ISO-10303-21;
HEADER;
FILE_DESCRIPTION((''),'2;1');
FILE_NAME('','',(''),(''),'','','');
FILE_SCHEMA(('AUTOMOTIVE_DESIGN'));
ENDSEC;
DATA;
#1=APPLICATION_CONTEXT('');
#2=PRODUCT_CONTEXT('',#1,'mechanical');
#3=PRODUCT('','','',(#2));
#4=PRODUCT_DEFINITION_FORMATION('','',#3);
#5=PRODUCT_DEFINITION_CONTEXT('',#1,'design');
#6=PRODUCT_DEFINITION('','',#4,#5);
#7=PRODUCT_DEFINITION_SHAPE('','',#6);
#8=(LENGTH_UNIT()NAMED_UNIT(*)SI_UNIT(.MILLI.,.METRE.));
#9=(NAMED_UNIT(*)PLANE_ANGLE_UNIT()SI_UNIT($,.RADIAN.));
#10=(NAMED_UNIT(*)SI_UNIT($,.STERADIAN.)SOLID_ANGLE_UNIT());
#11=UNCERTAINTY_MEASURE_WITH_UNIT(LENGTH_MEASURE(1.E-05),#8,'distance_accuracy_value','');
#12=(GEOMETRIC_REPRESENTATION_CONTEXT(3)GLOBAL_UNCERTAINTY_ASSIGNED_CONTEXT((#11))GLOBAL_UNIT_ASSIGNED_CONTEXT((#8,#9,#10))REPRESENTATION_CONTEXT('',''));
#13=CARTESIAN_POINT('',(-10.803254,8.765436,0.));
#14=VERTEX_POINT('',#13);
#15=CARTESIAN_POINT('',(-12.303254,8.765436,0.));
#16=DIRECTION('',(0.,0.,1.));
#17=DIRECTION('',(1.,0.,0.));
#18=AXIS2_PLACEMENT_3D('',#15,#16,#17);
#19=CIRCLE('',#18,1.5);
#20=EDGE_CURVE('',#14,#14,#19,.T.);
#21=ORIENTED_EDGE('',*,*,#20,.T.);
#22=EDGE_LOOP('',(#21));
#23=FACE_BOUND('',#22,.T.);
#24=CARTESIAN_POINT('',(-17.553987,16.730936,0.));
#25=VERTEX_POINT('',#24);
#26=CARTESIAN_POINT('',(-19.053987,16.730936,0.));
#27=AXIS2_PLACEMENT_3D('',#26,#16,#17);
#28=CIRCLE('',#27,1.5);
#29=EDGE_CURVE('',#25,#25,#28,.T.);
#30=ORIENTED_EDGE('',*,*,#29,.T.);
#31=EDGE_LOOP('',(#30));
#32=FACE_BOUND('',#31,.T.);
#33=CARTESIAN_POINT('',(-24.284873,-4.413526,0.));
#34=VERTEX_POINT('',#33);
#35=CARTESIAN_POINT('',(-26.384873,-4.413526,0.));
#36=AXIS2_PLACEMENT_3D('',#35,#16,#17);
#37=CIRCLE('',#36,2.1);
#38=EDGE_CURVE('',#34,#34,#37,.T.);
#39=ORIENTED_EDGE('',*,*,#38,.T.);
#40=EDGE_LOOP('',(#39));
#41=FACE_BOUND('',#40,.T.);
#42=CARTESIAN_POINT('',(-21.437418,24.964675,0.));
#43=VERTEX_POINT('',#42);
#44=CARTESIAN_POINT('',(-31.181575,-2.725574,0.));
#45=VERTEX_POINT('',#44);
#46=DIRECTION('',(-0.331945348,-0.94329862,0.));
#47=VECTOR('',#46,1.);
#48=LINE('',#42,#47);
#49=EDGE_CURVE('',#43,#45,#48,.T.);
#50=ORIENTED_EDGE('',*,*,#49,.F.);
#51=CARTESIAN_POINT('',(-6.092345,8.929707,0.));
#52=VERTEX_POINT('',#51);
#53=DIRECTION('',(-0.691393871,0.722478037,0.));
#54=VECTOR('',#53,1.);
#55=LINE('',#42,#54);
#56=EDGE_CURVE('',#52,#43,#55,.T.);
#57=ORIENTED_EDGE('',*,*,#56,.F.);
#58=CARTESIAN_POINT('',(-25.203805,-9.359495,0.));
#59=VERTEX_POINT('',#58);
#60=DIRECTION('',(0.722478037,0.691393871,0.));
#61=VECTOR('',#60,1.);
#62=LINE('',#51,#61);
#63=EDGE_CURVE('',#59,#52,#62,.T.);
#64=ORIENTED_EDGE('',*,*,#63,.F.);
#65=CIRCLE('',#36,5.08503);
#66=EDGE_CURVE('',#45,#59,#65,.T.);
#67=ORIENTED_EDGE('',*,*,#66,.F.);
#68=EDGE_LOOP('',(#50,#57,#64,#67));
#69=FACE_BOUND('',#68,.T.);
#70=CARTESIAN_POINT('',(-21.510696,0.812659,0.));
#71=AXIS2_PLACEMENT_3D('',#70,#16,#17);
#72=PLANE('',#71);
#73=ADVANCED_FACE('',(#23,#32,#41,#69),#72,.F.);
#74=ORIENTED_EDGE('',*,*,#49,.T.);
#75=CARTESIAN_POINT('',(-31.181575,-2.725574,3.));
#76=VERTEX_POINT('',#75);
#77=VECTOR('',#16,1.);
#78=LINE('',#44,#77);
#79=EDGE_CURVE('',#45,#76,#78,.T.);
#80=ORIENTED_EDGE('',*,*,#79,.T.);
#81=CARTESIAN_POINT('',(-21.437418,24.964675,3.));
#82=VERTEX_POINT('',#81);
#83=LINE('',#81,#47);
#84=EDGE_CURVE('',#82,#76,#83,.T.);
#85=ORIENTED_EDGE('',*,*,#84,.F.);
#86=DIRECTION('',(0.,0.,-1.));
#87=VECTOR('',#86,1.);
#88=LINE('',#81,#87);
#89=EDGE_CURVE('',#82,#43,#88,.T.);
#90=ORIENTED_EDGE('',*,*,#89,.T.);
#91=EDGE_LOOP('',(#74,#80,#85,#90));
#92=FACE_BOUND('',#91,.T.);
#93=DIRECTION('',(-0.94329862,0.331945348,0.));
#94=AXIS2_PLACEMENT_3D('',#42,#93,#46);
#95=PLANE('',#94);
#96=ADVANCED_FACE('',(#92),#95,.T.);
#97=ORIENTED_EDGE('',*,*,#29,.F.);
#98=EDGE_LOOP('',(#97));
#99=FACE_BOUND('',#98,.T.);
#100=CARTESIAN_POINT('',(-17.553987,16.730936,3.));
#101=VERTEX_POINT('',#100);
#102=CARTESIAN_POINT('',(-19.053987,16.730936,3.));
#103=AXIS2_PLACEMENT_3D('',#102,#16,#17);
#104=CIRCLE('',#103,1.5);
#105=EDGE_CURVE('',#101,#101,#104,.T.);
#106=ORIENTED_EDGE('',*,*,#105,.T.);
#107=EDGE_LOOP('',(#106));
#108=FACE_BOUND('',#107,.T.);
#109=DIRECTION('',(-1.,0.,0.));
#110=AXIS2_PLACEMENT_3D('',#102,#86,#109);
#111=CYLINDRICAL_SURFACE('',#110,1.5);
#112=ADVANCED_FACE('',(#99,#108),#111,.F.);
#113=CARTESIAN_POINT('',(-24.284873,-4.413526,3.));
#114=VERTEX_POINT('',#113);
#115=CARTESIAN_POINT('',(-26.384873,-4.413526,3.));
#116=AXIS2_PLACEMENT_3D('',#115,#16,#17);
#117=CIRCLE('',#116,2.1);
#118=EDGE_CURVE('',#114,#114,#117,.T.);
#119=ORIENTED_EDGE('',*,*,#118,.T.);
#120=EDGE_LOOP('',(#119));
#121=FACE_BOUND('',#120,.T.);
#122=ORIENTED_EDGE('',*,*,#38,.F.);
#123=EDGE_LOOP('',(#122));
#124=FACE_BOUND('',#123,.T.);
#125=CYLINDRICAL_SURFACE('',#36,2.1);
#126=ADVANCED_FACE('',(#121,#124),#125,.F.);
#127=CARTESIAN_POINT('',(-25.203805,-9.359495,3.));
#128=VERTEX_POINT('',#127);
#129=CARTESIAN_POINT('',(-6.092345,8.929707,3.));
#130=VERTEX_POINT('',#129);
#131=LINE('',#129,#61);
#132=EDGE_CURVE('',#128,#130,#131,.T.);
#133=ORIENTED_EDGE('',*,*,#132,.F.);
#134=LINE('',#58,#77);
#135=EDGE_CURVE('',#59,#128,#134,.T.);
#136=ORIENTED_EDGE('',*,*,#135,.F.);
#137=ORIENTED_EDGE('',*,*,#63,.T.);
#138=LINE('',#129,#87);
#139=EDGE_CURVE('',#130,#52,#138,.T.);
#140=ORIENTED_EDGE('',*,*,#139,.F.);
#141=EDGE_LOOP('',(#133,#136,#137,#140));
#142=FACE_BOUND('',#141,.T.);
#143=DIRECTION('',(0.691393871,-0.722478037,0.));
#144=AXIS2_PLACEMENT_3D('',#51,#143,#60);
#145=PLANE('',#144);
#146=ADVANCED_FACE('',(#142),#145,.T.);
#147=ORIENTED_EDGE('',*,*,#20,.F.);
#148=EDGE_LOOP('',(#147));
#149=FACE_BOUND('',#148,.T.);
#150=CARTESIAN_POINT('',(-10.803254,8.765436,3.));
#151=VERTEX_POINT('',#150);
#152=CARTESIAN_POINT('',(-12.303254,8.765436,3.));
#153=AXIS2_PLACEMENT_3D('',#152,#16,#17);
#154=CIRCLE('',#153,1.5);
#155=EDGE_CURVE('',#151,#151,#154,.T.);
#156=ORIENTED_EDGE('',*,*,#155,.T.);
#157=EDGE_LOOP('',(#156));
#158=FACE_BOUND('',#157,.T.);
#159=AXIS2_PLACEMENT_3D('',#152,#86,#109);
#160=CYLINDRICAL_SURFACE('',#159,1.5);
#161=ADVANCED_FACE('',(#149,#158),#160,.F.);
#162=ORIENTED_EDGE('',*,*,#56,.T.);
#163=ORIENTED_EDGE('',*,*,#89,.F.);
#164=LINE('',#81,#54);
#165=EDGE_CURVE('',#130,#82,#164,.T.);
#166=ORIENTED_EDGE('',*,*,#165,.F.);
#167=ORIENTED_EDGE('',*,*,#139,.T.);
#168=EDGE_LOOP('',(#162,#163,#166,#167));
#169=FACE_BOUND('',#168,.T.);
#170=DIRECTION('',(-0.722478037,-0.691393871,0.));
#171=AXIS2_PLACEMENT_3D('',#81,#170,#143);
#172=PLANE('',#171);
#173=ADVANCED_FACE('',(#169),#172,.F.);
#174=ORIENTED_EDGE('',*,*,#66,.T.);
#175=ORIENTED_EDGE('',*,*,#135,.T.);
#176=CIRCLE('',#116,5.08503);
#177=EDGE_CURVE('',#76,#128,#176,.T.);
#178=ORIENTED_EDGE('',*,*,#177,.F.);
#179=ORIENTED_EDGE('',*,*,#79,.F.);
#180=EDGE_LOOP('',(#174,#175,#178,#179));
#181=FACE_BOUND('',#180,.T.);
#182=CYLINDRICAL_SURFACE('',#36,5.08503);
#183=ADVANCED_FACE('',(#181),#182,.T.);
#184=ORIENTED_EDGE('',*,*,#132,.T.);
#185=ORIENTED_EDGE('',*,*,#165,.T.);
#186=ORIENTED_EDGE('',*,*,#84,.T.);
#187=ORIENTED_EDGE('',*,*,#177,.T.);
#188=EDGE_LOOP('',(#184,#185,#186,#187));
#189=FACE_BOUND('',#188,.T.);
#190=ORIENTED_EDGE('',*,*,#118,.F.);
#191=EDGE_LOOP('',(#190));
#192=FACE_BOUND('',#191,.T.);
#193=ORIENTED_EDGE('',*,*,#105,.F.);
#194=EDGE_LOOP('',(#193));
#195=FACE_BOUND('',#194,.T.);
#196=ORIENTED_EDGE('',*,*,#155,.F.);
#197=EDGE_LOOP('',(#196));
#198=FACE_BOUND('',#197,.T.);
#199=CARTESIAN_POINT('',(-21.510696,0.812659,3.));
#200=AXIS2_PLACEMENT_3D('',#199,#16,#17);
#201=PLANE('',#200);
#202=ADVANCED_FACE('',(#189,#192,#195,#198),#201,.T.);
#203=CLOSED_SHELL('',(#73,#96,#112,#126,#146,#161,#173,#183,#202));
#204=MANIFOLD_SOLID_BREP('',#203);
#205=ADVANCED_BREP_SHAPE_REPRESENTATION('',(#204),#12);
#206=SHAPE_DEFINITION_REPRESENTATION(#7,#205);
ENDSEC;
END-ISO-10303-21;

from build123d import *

# Parameters (mm, degrees)
SKETCH1_R           = 1.5
BOSS_EXTRUDE1_DEPTH = 3
SKETCH3_R           = 2.1
CUT_EXTRUDE1_DEPTH  = 5
BOSS_EXTRUDE2_START = -3
SKETCH4_R           = 2.1
SKETCH4_R_2         = 1.5
BOSS_EXTRUDE2_DEPTH = 3


with BuildPart() as part:
    # Sketch1 → Boss-Extrude1 (new body)
    with BuildSketch(Plane.XY):
        with BuildLine():
            Line((-23.846751299, 12.315625527), (-25.790964416, 1.588420048))
            ThreePointArc((-25.790964416, 1.588420048), (-23.621324023, -2.99099118), (-18.587504633, -2.408746401))
            Line((-18.587504633, -2.408746401), (-9.554934768, 5.787656918))
            Line((-9.554934768, 5.787656918), (-6.092344559, 8.929706888))
            Line((-6.092344559, 8.929706888), (-21.437418033, 24.964674832))
            Line((-21.437418033, 24.964674832), (-22.045496957, 21.772247946))
            Line((-22.045496957, 21.772247946), (-23.846751299, 12.315625527))
        make_face()
        with Locations((-19.053986742, 16.730936194)):
            Circle(SKETCH1_R, mode=Mode.SUBTRACT)
        with Locations((-12.303254046, 8.7654358)):
            Circle(SKETCH1_R, mode=Mode.SUBTRACT)
    extrude(amount=BOSS_EXTRUDE1_DEPTH)

    # Sketch3 → Cut-Extrude1 (cut)
    with BuildSketch(Plane.XY.offset(3)):
        with Locations((-21.51274635, 0.809673644)):
            Circle(SKETCH3_R)
    extrude(amount=-CUT_EXTRUDE1_DEPTH, mode=Mode.SUBTRACT)

    # Sketch4 → Boss-Extrude2 (add)
    with BuildSketch(Plane.XY.offset(3).offset(BOSS_EXTRUDE2_START)):
        with BuildLine():
            Line((-21.437418033, 24.964674832), (-6.092344559, 8.929706888))
            Line((-6.092344559, 8.929706888), (-25.203805177, -9.359495085))
            ThreePointArc((-25.203805177, -9.359495085), (-30.162494982, -7.817509351), (-31.18157458, -2.725574419))
            Line((-31.18157458, -2.725574419), (-21.437418033, 24.964674832))
        make_face()
        with Locations((-26.38487303, -4.41352639)):
            Circle(SKETCH4_R, mode=Mode.SUBTRACT)
        with Locations((-12.303254046, 8.7654358)):
            Circle(SKETCH4_R_2, mode=Mode.SUBTRACT)
        with Locations((-19.053986742, 16.730936194)):
            Circle(SKETCH4_R_2, mode=Mode.SUBTRACT)
    extrude(amount=BOSS_EXTRUDE2_DEPTH)


solid = part.part
